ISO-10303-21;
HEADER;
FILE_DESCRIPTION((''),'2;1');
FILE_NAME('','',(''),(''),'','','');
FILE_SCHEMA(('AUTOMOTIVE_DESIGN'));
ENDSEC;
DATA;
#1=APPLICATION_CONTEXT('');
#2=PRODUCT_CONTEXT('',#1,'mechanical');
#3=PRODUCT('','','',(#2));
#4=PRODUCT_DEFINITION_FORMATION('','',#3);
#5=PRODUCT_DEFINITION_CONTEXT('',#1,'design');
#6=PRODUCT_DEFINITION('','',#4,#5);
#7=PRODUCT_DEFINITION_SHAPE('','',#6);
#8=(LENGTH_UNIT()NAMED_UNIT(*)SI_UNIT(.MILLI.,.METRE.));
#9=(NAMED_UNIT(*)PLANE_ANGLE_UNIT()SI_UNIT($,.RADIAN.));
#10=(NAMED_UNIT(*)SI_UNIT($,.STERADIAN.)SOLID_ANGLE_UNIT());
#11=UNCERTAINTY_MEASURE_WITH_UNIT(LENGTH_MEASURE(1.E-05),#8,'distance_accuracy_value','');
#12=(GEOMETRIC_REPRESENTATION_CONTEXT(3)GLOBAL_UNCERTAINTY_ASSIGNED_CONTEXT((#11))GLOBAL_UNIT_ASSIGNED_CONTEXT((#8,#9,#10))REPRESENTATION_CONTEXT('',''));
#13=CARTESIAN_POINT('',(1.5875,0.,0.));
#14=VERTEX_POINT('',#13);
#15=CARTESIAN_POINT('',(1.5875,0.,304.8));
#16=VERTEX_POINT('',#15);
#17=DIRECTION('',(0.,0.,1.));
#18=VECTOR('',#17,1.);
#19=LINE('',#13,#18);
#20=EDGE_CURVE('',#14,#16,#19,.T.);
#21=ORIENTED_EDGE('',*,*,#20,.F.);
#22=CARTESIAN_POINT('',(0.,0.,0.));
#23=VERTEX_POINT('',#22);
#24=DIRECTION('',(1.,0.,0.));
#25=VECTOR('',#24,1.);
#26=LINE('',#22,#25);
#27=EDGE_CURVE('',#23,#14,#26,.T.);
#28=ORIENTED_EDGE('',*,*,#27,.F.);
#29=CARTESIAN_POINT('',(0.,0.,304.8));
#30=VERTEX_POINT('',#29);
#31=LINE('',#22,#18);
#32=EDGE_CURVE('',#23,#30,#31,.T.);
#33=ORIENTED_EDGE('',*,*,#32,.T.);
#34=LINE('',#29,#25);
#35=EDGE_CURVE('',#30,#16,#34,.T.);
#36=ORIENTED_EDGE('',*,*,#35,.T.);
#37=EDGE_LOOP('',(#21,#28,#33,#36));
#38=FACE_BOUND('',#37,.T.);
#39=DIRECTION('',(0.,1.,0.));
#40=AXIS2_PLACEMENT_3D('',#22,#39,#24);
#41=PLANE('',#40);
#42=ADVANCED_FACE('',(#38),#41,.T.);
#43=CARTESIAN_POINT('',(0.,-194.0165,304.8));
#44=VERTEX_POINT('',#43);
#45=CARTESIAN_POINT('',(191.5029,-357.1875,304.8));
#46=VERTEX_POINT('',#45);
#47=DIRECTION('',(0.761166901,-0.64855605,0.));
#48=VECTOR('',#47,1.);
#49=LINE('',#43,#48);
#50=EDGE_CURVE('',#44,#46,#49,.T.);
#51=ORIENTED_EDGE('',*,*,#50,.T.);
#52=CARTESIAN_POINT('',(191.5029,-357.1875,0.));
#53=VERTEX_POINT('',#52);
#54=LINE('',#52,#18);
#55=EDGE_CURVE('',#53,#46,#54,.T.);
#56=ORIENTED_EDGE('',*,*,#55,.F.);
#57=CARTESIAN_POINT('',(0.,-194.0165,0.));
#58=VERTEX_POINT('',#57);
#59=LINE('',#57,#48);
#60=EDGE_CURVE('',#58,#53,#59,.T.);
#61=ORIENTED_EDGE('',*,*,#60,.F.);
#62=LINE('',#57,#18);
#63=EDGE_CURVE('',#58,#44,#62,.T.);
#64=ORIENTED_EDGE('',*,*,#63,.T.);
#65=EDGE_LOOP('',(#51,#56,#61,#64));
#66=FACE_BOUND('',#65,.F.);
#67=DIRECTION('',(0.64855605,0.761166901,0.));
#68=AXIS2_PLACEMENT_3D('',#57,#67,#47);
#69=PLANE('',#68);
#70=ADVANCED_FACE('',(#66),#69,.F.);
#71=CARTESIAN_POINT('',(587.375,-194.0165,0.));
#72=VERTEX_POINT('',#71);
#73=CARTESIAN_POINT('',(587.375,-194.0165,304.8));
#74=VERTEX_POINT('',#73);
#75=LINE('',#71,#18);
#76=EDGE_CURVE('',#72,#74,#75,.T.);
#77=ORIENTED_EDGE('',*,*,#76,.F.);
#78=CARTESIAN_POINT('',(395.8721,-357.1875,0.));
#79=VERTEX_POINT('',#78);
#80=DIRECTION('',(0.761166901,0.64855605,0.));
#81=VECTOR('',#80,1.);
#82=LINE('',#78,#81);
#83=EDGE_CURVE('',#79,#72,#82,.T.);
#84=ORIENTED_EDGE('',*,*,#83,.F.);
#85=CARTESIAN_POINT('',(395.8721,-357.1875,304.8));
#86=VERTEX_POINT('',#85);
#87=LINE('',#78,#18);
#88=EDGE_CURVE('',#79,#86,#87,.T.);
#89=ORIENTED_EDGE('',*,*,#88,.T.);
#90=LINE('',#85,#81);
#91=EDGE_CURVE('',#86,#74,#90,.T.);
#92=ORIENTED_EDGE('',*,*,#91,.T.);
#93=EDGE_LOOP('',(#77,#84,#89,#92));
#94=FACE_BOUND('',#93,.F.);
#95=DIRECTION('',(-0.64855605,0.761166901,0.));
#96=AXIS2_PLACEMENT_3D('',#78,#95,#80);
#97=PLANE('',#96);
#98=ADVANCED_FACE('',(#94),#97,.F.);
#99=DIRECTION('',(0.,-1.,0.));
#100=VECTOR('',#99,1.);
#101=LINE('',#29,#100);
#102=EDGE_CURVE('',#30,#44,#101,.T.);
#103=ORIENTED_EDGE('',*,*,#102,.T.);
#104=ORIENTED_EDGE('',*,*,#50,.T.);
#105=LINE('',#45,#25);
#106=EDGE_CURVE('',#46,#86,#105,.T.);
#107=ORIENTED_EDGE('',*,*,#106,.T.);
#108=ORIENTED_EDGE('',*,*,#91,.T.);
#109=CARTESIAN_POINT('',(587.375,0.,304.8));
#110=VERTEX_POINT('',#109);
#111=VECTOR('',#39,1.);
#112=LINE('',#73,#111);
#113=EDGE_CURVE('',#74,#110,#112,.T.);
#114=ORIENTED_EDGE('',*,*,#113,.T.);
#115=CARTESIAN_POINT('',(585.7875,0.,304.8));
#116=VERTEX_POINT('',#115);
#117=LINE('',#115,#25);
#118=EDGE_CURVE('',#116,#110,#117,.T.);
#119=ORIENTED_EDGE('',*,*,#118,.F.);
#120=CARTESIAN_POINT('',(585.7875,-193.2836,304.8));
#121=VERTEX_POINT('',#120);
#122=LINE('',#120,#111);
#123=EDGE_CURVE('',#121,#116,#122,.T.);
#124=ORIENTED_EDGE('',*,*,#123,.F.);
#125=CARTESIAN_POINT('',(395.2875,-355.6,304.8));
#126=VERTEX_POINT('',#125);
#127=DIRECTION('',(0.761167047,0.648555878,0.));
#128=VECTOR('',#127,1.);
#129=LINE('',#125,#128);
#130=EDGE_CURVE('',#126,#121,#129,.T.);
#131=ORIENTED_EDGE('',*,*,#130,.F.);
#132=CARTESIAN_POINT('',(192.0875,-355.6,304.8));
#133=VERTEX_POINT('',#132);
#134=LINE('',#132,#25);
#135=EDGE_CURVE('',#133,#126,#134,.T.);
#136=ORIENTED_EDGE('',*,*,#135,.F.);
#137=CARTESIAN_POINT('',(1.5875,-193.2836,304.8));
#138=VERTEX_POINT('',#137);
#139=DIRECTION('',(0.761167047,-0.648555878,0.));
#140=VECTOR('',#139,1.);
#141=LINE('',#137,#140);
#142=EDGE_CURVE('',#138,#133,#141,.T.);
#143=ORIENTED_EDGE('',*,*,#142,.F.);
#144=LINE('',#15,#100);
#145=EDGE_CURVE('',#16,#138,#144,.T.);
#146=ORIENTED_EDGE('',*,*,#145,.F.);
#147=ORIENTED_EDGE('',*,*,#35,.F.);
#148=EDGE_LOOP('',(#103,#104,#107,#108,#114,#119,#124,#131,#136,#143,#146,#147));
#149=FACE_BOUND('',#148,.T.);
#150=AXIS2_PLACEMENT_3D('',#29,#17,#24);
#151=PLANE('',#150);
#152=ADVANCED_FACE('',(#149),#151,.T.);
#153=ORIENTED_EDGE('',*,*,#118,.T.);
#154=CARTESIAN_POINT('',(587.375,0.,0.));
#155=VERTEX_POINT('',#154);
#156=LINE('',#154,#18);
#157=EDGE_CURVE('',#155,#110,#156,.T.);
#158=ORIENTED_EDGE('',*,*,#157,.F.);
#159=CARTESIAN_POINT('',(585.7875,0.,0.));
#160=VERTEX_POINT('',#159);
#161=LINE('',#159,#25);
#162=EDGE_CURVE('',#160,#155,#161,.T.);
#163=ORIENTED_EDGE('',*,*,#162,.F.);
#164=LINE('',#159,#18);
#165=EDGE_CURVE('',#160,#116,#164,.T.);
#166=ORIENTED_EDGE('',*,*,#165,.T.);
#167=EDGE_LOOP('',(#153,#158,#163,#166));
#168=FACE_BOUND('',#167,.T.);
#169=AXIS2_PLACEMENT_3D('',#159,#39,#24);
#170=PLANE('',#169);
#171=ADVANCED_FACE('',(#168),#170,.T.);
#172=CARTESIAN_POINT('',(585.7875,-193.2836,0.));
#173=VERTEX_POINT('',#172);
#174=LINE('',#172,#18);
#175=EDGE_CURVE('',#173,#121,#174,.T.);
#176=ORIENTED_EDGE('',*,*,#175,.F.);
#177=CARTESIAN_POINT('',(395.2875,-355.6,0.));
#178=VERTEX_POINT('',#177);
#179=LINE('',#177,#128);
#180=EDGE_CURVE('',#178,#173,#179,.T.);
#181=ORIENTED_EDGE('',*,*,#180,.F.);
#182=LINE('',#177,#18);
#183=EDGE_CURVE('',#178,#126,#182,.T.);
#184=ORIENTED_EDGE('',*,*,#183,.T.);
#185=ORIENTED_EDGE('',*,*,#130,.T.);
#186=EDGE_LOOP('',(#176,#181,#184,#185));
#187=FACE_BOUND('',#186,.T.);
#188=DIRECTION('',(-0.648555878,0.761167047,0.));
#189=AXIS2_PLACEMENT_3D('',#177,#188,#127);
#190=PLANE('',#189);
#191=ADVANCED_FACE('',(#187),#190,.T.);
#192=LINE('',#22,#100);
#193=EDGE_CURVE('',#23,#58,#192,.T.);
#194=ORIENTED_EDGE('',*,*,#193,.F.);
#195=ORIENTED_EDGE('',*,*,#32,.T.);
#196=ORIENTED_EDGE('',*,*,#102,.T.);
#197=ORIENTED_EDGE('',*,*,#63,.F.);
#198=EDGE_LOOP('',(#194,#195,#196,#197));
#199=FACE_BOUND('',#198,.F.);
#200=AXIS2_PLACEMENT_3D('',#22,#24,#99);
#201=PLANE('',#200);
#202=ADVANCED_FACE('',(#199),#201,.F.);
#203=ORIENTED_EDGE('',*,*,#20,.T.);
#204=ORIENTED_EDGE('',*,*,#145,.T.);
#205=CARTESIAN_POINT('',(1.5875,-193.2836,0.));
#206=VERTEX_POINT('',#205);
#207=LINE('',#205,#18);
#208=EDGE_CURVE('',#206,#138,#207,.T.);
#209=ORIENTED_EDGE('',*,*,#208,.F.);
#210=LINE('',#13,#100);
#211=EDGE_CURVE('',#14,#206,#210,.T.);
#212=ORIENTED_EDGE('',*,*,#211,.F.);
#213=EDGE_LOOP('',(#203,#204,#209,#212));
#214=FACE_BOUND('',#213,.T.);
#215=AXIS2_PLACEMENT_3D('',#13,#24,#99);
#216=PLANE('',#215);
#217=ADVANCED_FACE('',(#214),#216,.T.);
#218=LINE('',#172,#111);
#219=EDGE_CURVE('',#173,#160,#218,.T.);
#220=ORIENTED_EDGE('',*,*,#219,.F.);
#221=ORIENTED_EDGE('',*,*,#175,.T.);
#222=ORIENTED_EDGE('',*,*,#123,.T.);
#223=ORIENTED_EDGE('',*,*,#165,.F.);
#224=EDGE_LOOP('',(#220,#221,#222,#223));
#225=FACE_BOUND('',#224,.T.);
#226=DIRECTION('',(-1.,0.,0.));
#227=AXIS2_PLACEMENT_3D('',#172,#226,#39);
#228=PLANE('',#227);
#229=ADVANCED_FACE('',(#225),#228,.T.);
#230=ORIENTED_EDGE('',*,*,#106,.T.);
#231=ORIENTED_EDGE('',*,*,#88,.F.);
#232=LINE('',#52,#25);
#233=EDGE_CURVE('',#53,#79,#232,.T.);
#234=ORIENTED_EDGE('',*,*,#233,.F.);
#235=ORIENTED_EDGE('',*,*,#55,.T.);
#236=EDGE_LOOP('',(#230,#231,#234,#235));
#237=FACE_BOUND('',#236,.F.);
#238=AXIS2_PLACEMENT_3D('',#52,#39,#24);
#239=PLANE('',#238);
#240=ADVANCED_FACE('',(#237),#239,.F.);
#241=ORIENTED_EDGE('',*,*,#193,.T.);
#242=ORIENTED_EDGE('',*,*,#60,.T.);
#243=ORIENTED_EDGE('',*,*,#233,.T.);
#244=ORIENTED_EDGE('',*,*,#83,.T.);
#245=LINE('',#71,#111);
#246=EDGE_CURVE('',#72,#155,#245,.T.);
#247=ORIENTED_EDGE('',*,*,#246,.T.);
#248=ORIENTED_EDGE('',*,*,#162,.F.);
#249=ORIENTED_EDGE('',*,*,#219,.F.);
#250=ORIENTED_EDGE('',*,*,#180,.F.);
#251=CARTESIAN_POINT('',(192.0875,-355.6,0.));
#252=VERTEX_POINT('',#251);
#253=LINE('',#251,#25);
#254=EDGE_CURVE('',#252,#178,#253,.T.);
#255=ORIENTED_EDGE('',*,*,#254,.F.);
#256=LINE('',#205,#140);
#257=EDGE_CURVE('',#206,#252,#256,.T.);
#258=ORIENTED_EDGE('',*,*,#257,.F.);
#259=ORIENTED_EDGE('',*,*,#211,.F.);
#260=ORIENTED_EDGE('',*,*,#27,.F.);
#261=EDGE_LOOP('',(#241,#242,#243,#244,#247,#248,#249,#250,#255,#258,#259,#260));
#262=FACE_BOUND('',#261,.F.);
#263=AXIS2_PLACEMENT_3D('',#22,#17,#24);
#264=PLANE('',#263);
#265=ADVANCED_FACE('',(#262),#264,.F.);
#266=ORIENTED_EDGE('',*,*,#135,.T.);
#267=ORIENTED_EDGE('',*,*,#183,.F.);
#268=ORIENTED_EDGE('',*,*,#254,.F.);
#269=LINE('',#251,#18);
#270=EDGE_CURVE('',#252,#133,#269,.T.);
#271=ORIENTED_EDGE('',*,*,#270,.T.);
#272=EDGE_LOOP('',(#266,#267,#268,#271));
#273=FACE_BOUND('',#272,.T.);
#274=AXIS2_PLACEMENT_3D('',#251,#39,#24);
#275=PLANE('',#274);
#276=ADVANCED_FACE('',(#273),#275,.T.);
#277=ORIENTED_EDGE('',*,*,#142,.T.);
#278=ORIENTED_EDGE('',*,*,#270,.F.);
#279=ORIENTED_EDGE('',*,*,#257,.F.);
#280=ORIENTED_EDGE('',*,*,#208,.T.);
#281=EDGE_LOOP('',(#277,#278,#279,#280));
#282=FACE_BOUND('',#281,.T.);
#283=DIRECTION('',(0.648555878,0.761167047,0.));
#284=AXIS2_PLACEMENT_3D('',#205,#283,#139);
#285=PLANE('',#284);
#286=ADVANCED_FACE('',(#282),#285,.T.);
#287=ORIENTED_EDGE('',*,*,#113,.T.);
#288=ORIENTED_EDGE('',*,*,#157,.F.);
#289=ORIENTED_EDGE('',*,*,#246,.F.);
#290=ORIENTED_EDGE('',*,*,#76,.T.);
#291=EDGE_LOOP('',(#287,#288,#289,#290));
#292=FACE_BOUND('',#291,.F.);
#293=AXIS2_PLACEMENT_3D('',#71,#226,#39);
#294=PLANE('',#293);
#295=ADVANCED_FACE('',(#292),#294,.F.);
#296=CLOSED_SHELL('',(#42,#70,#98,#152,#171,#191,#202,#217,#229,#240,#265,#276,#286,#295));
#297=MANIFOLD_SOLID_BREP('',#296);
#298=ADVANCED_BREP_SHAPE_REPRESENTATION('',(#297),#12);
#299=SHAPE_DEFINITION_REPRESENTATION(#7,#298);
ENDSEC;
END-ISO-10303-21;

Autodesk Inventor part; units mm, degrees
ref_plane "YZ Plane" through (0, 0, 0) normal (1, 0, 0) x (0, 1, 0)
ref_plane "XZ Plane" through (0, 0, 0) normal (0, 1, 0) x (-1, 0, 0)
ref_plane "XY Plane" through (0, 0, 0) normal (0, 0, 1) x (1, 0, 0)
sketch "Sketch1" plane through (0, 0, 0) normal (0, 0, 1) x (1, 0, 0)
  line L0 (0, 0) -> (0, -194.0165)
  line L1 (0, -194.0165) -> (191.5029, -357.1875)
  line L2 (191.5029, -357.1875) -> (395.8721, -357.1875)
  line L3 (395.8721, -357.1875) -> (587.375, -194.0165)
  line L4 (587.375, -194.0165) -> (587.375, 0)
  line L5 (0, 0) -> (1.5875, 0)
  line L6 (1.5875, 0) -> (1.5875, -193.2836)
  line L7 (1.5875, -193.2836) -> (192.0875, -355.6)
  line L8 (192.0875, -355.6) -> (395.2875, -355.6)
  line L9 (395.2875, -355.6) -> (585.7875, -193.2836)
  line L10 (585.7875, -193.2836) -> (585.7875, 0)
  line L11 (585.7875, 0) -> (587.375, 0)
  dimension "d0" = 1.5875
  dimension "d1" = 1.5875
  dimension "d2" = 1.5875
  dimension "d3" = 355.6
  dimension "d4" = 584.2
  dimension "d5" = 203.2
extrude "Extrusion1" add sketch "Sketch1" along normal blind 304.8
properties part number "Shroud" material "Polycarbonate, Smoke"
